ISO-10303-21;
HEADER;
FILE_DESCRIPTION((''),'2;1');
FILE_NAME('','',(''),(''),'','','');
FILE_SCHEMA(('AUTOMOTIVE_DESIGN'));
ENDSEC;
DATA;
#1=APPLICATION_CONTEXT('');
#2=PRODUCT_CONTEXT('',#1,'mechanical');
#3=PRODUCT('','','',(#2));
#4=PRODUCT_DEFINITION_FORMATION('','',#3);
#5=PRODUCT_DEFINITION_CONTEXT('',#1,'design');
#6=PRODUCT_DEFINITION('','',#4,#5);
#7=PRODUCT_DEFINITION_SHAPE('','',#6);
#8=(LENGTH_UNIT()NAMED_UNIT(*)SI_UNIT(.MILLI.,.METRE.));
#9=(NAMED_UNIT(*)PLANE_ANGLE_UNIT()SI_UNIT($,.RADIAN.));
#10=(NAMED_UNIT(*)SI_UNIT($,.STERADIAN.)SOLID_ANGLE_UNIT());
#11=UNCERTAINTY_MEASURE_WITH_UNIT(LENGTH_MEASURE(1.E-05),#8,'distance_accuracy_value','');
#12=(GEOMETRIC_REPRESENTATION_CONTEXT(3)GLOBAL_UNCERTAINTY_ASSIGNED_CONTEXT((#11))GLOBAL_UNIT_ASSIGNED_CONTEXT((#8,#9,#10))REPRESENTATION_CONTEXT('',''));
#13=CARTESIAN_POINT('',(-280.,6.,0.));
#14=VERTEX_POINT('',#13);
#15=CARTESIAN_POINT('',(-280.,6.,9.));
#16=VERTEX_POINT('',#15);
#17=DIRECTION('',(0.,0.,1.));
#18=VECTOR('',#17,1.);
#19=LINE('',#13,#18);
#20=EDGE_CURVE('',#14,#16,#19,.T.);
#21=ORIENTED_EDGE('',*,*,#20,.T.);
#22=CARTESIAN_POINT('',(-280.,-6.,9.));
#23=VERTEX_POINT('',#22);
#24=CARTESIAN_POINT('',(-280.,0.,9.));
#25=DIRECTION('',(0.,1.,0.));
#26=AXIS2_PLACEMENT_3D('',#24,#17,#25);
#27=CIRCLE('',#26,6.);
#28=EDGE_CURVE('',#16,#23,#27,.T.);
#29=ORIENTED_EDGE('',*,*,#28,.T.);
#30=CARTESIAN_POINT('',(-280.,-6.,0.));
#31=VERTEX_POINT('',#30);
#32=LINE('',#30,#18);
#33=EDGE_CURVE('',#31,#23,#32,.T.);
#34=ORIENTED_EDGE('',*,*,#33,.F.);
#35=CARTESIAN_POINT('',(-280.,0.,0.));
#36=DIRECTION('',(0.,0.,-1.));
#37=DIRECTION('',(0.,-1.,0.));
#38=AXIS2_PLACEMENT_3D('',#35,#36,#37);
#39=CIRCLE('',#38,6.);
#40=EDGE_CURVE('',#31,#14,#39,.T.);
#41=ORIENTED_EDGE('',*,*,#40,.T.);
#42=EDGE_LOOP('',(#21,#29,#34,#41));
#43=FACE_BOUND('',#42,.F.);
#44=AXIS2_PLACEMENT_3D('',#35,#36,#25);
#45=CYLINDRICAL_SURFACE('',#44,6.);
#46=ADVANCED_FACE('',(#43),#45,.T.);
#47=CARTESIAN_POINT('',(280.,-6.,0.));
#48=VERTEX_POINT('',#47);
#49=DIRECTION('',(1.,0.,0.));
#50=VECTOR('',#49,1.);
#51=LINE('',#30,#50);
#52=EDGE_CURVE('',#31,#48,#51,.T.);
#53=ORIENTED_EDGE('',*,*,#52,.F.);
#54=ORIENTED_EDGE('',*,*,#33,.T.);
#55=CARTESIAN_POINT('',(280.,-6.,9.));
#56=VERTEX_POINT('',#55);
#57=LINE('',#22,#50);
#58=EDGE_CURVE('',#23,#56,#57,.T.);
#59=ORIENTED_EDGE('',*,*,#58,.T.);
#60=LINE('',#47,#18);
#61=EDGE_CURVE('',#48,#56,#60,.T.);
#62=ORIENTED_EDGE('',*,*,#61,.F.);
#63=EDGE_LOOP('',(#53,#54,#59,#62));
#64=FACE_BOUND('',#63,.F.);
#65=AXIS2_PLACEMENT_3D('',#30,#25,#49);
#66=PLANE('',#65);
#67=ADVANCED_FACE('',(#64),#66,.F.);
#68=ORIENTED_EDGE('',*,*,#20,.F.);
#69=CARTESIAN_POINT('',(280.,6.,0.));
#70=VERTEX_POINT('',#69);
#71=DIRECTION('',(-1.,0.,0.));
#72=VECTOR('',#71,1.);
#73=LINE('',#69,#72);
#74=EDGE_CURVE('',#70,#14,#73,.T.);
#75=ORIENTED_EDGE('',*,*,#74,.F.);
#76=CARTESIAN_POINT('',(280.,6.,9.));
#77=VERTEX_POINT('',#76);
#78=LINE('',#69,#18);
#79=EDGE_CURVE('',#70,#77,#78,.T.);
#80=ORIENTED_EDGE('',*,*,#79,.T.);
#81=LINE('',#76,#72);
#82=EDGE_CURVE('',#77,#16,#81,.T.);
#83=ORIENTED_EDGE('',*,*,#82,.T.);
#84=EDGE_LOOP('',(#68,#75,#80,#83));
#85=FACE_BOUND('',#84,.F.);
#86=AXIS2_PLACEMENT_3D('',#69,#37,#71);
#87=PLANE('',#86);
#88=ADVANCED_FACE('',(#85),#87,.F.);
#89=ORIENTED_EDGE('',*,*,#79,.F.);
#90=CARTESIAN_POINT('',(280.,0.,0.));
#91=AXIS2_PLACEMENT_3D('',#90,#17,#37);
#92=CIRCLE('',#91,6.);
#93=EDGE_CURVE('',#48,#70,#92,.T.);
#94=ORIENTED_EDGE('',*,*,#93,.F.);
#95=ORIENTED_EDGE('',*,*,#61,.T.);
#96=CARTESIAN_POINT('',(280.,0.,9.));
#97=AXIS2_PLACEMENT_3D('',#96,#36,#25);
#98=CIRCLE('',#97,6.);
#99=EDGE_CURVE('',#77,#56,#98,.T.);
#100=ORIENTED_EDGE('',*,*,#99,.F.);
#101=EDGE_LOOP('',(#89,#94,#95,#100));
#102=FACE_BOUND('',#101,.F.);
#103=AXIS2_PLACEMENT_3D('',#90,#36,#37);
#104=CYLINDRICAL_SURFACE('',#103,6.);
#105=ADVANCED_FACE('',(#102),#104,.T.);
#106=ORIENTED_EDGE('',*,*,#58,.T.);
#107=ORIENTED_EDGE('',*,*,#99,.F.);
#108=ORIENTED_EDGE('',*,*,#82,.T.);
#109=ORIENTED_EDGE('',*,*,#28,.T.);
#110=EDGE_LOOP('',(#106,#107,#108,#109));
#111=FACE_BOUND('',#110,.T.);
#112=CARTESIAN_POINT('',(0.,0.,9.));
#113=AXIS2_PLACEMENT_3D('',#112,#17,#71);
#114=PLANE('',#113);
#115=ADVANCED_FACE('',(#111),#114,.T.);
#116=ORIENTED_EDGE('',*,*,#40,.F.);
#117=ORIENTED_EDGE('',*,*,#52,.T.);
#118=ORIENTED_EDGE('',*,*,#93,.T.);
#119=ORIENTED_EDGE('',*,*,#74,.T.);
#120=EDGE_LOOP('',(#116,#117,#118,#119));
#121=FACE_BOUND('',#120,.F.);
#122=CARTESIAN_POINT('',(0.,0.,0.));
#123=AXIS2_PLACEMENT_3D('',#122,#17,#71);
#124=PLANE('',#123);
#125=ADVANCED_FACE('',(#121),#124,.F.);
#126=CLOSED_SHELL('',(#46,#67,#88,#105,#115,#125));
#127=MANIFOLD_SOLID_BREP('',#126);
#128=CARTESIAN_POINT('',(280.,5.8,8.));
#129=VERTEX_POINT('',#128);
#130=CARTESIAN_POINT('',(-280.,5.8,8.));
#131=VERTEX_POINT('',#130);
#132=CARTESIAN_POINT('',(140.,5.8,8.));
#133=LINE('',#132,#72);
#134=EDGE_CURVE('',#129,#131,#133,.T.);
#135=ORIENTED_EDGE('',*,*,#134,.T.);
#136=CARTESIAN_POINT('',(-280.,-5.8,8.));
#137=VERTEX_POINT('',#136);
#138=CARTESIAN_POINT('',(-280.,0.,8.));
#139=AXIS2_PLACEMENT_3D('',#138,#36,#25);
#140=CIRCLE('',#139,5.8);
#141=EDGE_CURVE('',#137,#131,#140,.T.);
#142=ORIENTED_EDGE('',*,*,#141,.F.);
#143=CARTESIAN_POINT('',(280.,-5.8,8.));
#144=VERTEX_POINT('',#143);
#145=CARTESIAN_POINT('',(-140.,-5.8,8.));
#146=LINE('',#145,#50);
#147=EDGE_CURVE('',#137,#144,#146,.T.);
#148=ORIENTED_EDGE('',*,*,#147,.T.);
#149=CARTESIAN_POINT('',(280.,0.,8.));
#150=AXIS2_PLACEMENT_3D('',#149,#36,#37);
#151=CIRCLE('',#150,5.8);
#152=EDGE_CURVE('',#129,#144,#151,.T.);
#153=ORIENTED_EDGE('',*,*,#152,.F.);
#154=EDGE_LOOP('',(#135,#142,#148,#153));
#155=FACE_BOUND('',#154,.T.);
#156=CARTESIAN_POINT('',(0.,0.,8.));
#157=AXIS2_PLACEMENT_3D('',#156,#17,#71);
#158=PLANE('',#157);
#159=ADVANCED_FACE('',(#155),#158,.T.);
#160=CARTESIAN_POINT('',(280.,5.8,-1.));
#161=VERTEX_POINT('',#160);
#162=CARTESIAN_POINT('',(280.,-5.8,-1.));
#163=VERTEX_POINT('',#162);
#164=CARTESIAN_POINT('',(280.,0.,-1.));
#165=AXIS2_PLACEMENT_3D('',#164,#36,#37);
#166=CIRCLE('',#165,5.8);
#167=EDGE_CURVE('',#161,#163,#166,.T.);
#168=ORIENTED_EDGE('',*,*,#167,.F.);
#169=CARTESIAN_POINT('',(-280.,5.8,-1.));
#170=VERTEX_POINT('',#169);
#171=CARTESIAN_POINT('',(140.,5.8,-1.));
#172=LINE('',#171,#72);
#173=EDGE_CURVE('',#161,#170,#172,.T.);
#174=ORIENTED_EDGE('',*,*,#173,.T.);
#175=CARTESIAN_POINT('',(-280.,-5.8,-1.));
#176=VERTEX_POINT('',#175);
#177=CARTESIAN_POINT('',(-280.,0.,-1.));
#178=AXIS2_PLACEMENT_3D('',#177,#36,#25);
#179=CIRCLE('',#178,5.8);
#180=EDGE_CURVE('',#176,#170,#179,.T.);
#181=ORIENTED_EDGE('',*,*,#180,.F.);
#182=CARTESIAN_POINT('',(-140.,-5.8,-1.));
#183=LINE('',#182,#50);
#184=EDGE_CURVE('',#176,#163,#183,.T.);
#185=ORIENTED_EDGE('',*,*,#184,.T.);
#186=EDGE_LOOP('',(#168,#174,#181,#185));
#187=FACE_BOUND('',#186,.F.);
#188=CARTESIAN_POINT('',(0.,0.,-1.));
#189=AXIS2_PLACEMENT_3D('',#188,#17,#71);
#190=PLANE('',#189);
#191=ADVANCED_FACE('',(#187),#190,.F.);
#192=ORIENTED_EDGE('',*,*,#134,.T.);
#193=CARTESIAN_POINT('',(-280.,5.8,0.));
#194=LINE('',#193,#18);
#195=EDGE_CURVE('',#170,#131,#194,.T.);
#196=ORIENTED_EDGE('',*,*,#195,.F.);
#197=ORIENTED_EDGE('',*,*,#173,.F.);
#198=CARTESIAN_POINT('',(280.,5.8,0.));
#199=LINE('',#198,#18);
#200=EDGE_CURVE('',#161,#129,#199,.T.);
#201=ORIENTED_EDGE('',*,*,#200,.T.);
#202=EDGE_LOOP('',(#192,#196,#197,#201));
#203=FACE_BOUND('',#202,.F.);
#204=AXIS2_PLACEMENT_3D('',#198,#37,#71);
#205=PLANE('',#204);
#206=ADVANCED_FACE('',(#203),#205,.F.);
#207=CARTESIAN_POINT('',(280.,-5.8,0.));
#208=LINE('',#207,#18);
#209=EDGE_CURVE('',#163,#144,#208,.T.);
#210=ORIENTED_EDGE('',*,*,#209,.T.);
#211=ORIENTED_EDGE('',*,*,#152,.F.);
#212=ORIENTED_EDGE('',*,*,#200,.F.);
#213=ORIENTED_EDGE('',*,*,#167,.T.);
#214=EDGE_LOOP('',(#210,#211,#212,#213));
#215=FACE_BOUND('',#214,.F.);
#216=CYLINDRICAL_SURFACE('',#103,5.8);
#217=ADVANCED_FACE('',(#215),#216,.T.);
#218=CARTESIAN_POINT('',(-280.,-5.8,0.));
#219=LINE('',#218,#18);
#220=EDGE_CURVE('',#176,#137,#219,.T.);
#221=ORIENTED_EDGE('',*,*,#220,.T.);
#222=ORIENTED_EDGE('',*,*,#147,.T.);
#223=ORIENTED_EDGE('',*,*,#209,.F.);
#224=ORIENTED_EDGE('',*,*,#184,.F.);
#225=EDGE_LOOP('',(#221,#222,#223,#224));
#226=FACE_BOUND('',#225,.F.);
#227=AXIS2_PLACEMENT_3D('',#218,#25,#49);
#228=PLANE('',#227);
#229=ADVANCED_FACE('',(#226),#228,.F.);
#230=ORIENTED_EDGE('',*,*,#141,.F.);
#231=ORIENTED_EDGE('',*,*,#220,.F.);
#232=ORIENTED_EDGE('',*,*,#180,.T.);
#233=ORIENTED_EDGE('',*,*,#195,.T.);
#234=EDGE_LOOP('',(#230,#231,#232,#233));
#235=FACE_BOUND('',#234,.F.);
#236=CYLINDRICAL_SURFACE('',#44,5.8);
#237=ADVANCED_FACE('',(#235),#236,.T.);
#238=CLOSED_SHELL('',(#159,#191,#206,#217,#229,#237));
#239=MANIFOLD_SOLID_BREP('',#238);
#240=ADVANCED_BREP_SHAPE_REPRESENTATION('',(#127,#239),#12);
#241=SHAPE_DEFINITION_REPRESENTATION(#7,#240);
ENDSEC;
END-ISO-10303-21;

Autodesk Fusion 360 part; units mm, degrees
sketch "Connection Patch" plane through (0, 0, 0) normal (0, 0, 1) x (-1, 0, 0)
  line L0 (-300, 9) -> (300, 9)
  line L1 (300, 9) -> (300, -9)
  line L2 (300, -9) -> (-300, -9)
  line L3 (-300, -9) -> (-300, 9)
  line L4 (-300, 9) -> (300, -9) construction
  line L5 (300, 9) -> (-300, -9) construction
  dimension "d3" = 600
  dimension "d4" = 18
sketch "Dado Profile" plane through (0, 0, 0) normal (0, 0, 1) x (-1, 0, 0)
  line L0 (-280, -6) -> (280, -6)
  arc A0 (280, -6) -> (280, 6) centre (280, 0) ccw
  line L1 (280, 6) -> (-280, 6)
  arc A1 (-280, 6) -> (-280, -6) centre (-280, 0) ccw
  line L2 (-280, 0) -> (280, 0) construction
  line L3 (-300, 0) -> (300, 0)
  line L4 (300, -9) -> (-300, -9) construction
  line L5 (-300, -9) -> (-300, 9) construction
  line L6 (300, 9) -> (300, -9) construction
  point P0 (300, 0)
  point P1 (-300, 0)
  dimension "d25" = 3
  dimension "d26" = 20
  dimension "d27" = 20
extrude "Extrude1" add sketch "Dado Profile" along normal blind 9 makes body 1
sketch "Sketch3" plane through (0, 0, 0) normal (0, 0, 1) x (-1, 0, 0)
  arc A0 (-280, 6) -> (-280, -6) centre (-280, 0) ccw
  line L0 (-280, -6) -> (280, -6)
  arc A1 (280, -6) -> (280, 6) centre (280, 0) ccw
  line L1 (280, 6) -> (-280, 6)
  line L2 (280, 5.8) -> (-280, 5.8)
  arc A2 (-280, 5.8) -> (-280, -5.8) centre (-280, 0) ccw
  line L3 (-280, -5.8) -> (280, -5.8)
  arc A3 (280, -5.8) -> (280, 5.8) centre (280, 0) ccw
extrude "Extrude2" add sketch "Sketch3" along normal up to surface (9 mm away) separate body contours L2 A2 L3 A3 makes body 2
move_face "OffsetFaces3" offset -1 1 faces at (-93.3333, 1.9333, 9) on bodies 2
move_face "OffsetFaces4" offset 1 1 faces at (-93.3333, 1.9333, 0) on bodies 2
equation "Length = 600 mm"
equation "Width = 18 mm"
equation "d3 = Length"
equation "d4 = Width"
equation "UserOffset1 = 20 mm"
equation "UserOffset2 = 20 mm"
equation "Offset1 = if(UserOffset1 < 5 mm; 5 mm; UserOffset1)"
equation "Offset2 = if(UserOffset2 < 5 mm; 5 mm; UserOffset2)"
equation "OffsetFromTopBottom = 3 mm"
equation "NestledBoardT = 18 mm"
equation "d14 = NestledBoardT / 2"
equation "GapBetweenMortiseandTenon = 0.2 mm"
equation "GapFromBottom = 1 mm"
equation "d23 = -GapFromBottom"
equation "d25 = OffsetFromTopBottom"
equation "d26 = Offset2"
equation "d27 = Offset1"
equation "d28 = -GapBetweenMortiseandTenon"
